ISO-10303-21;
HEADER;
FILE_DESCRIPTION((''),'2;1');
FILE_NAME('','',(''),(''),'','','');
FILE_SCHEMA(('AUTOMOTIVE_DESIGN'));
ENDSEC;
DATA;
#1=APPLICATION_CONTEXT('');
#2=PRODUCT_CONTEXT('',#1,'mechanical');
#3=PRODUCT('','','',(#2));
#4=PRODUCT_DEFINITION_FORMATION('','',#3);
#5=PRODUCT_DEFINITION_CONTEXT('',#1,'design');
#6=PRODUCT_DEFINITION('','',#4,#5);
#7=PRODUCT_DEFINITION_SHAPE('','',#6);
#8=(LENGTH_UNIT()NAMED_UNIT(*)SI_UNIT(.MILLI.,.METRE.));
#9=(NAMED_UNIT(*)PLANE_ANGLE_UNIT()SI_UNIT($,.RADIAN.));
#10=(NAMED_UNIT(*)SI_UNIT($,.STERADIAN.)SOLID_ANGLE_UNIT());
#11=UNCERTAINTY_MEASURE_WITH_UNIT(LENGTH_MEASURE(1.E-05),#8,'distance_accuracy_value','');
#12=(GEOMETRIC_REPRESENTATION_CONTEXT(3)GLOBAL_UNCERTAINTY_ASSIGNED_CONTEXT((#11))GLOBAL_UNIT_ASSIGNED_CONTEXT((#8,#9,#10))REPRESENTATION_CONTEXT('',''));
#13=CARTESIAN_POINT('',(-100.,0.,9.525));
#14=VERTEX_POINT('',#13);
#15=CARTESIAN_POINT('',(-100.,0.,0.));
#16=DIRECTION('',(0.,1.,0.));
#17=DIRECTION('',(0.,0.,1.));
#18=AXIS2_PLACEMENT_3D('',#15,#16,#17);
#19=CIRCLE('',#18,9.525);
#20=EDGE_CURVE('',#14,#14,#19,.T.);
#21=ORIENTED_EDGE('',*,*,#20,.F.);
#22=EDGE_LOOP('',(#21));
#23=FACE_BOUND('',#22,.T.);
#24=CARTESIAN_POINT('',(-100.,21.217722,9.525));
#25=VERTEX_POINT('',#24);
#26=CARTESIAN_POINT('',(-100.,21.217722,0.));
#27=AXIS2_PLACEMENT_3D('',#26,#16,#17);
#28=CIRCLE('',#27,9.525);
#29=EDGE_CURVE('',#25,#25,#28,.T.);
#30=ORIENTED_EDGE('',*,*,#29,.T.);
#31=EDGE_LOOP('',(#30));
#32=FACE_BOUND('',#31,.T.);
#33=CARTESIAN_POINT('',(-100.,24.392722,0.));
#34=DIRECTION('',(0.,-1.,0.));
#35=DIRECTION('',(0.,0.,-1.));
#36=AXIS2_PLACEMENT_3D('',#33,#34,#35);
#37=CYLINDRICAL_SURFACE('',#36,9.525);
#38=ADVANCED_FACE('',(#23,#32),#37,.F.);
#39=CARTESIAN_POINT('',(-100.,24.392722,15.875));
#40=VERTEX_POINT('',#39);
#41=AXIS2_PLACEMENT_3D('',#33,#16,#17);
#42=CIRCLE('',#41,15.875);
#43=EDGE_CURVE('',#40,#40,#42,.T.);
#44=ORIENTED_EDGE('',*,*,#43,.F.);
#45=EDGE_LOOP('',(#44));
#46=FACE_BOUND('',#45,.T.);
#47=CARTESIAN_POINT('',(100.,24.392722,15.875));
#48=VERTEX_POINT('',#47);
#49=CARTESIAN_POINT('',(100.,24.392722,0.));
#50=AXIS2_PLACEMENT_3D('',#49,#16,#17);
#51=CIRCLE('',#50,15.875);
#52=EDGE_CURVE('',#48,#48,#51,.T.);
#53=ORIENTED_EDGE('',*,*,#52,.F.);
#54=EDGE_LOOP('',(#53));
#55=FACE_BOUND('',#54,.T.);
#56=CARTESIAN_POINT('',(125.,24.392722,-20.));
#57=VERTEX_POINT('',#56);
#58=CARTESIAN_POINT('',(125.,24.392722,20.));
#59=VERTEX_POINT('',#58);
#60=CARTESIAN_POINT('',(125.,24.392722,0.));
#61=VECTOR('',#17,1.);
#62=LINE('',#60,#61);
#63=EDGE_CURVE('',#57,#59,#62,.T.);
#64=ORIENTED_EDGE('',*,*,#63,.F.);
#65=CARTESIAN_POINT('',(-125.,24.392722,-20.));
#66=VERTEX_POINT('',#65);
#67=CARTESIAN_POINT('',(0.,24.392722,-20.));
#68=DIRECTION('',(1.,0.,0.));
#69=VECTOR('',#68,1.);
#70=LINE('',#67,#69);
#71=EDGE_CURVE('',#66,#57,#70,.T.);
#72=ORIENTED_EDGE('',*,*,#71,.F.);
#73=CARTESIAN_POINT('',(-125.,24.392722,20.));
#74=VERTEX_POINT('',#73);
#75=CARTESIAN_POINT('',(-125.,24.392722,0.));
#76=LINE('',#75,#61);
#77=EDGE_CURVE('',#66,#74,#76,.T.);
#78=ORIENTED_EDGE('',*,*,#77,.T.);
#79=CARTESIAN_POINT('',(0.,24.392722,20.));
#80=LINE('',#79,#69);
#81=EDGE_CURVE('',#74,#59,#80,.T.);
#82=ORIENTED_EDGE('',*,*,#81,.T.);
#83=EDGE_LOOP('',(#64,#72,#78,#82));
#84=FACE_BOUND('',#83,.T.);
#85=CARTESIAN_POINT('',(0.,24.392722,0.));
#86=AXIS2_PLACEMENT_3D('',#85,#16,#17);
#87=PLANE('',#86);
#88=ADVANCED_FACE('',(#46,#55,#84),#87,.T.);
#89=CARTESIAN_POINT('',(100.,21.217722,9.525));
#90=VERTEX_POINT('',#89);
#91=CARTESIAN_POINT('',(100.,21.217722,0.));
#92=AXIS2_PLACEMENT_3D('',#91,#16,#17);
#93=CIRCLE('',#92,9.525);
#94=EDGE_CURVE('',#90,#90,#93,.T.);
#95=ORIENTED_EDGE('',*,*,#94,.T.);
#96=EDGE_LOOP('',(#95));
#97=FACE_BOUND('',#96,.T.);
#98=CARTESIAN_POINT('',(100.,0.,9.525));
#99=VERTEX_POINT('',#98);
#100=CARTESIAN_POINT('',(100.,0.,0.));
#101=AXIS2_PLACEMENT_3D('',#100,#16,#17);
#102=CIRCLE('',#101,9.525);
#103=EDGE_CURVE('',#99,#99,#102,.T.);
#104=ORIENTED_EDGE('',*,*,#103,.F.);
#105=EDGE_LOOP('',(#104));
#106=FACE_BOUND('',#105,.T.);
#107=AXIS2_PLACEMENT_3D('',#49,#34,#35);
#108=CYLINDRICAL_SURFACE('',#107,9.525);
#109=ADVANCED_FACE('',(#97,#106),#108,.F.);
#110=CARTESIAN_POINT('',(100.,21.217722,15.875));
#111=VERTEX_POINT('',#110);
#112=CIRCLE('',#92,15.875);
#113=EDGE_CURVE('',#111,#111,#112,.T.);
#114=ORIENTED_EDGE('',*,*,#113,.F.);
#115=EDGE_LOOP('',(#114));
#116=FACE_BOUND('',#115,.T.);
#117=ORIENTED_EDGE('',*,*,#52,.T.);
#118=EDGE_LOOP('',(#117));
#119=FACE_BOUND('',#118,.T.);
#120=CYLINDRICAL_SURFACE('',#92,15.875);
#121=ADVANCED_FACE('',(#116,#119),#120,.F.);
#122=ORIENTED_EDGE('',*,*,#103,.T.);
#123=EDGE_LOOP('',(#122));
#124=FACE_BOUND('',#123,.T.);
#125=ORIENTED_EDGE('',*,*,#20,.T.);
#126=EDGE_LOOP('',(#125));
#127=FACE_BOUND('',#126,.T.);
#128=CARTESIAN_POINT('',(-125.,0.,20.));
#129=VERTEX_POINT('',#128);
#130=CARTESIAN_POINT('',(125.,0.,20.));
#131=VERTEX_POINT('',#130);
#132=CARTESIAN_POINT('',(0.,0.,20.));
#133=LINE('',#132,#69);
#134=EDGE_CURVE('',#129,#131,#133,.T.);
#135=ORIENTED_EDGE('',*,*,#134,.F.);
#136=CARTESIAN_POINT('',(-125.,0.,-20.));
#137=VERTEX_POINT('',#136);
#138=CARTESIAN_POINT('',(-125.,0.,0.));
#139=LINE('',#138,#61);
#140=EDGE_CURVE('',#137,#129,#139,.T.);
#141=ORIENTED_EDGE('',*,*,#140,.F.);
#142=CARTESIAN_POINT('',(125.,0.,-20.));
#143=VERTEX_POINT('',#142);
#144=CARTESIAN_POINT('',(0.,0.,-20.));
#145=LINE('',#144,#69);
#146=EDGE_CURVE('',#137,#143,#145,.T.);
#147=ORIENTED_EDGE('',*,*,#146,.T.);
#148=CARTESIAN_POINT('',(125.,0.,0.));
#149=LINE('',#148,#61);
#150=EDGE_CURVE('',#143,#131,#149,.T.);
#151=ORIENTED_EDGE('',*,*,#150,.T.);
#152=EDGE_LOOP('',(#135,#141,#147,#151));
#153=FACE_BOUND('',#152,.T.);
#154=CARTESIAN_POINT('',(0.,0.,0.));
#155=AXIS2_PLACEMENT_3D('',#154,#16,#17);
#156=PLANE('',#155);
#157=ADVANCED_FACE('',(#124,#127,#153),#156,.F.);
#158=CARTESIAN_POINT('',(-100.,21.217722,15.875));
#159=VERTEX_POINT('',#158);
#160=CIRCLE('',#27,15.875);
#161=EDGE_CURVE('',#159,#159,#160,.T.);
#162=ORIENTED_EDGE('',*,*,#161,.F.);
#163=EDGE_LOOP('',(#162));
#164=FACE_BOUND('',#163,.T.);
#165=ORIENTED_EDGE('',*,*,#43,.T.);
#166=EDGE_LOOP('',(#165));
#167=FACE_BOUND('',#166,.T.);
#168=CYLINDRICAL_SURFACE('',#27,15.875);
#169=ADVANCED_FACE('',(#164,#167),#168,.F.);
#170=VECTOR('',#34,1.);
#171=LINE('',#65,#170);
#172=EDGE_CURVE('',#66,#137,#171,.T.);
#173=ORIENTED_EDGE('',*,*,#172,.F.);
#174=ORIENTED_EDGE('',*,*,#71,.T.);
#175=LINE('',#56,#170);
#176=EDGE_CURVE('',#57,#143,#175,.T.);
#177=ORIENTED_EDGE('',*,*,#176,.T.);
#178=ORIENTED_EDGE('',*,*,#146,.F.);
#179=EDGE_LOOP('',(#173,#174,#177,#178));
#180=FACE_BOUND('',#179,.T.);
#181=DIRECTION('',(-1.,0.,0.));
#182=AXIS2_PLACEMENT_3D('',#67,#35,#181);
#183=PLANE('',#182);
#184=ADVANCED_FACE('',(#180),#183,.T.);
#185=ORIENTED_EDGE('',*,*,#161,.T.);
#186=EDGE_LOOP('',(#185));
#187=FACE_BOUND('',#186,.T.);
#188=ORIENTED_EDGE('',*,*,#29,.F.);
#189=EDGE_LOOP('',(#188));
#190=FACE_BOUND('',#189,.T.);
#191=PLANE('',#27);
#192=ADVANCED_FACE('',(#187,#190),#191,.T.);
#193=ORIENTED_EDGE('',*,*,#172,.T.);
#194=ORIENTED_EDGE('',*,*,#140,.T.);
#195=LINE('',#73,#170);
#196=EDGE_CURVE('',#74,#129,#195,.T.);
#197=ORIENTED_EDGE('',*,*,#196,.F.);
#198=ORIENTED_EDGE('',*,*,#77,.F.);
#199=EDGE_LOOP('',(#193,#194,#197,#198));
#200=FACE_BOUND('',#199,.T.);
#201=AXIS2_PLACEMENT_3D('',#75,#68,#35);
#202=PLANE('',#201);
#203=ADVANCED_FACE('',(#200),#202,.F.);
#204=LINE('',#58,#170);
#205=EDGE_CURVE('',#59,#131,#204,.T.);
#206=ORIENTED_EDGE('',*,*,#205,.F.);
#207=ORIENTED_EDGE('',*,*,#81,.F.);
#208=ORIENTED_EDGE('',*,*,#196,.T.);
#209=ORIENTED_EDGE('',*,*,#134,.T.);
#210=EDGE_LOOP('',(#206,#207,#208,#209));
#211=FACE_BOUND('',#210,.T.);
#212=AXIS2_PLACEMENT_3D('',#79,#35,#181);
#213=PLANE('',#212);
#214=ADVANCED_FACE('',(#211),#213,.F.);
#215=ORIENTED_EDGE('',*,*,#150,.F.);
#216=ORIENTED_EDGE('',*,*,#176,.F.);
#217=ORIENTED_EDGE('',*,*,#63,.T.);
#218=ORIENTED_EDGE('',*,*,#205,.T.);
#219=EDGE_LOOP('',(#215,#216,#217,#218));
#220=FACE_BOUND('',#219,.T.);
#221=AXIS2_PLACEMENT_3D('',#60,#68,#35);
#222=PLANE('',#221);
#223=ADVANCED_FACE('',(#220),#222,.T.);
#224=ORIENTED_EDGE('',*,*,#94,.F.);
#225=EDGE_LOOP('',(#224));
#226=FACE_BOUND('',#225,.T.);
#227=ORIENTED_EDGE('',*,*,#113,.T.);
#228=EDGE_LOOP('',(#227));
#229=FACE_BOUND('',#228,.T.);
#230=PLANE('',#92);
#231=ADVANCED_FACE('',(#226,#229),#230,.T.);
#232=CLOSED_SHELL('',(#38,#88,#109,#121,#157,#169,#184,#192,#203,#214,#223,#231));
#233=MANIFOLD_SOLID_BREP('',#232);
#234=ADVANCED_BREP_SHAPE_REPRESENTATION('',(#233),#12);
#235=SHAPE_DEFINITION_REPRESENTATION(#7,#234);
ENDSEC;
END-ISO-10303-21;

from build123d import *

# Parameters (mm, degrees)
SKETCH1_W           = 250
SKETCH1_H           = 40
SKETCH1_R           = 9.525
BOSS_EXTRUDE1_DEPTH = 24.392721671
SKETCH3_R           = 15.875
CUT_EXTRUDE1_DEPTH  = 3.175


with BuildPart() as part:
    # Sketch1 → Boss-Extrude1 (new body)
    with BuildSketch(Plane(origin=(0, 0, 0), x_dir=(1, 0, 0), z_dir=(0, 1, 0))):
        Rectangle(SKETCH1_W, SKETCH1_H)
        with Locations(Location((-100, 0, 0), (0, 0, 270))):
            Circle(SKETCH1_R, mode=Mode.SUBTRACT)
        with Locations(Location((100, 0, 0), (0, 0, 270))):
            Circle(SKETCH1_R, mode=Mode.SUBTRACT)
    extrude(amount=BOSS_EXTRUDE1_DEPTH)

    # Sketch3 → Cut-Extrude1 (cut)
    with BuildSketch(Plane(origin=(0, 24.392721671, 0), x_dir=(1, 0, 0), z_dir=(0, 1, 0))):
        with Locations(Location((-100, 0, 0), (0, 0, 270))):
            Circle(SKETCH3_R)
        with Locations(Location((100, 0, 0), (0, 0, 270))):
            Circle(SKETCH3_R)
    extrude(amount=-CUT_EXTRUDE1_DEPTH, mode=Mode.SUBTRACT)


solid = part.part
